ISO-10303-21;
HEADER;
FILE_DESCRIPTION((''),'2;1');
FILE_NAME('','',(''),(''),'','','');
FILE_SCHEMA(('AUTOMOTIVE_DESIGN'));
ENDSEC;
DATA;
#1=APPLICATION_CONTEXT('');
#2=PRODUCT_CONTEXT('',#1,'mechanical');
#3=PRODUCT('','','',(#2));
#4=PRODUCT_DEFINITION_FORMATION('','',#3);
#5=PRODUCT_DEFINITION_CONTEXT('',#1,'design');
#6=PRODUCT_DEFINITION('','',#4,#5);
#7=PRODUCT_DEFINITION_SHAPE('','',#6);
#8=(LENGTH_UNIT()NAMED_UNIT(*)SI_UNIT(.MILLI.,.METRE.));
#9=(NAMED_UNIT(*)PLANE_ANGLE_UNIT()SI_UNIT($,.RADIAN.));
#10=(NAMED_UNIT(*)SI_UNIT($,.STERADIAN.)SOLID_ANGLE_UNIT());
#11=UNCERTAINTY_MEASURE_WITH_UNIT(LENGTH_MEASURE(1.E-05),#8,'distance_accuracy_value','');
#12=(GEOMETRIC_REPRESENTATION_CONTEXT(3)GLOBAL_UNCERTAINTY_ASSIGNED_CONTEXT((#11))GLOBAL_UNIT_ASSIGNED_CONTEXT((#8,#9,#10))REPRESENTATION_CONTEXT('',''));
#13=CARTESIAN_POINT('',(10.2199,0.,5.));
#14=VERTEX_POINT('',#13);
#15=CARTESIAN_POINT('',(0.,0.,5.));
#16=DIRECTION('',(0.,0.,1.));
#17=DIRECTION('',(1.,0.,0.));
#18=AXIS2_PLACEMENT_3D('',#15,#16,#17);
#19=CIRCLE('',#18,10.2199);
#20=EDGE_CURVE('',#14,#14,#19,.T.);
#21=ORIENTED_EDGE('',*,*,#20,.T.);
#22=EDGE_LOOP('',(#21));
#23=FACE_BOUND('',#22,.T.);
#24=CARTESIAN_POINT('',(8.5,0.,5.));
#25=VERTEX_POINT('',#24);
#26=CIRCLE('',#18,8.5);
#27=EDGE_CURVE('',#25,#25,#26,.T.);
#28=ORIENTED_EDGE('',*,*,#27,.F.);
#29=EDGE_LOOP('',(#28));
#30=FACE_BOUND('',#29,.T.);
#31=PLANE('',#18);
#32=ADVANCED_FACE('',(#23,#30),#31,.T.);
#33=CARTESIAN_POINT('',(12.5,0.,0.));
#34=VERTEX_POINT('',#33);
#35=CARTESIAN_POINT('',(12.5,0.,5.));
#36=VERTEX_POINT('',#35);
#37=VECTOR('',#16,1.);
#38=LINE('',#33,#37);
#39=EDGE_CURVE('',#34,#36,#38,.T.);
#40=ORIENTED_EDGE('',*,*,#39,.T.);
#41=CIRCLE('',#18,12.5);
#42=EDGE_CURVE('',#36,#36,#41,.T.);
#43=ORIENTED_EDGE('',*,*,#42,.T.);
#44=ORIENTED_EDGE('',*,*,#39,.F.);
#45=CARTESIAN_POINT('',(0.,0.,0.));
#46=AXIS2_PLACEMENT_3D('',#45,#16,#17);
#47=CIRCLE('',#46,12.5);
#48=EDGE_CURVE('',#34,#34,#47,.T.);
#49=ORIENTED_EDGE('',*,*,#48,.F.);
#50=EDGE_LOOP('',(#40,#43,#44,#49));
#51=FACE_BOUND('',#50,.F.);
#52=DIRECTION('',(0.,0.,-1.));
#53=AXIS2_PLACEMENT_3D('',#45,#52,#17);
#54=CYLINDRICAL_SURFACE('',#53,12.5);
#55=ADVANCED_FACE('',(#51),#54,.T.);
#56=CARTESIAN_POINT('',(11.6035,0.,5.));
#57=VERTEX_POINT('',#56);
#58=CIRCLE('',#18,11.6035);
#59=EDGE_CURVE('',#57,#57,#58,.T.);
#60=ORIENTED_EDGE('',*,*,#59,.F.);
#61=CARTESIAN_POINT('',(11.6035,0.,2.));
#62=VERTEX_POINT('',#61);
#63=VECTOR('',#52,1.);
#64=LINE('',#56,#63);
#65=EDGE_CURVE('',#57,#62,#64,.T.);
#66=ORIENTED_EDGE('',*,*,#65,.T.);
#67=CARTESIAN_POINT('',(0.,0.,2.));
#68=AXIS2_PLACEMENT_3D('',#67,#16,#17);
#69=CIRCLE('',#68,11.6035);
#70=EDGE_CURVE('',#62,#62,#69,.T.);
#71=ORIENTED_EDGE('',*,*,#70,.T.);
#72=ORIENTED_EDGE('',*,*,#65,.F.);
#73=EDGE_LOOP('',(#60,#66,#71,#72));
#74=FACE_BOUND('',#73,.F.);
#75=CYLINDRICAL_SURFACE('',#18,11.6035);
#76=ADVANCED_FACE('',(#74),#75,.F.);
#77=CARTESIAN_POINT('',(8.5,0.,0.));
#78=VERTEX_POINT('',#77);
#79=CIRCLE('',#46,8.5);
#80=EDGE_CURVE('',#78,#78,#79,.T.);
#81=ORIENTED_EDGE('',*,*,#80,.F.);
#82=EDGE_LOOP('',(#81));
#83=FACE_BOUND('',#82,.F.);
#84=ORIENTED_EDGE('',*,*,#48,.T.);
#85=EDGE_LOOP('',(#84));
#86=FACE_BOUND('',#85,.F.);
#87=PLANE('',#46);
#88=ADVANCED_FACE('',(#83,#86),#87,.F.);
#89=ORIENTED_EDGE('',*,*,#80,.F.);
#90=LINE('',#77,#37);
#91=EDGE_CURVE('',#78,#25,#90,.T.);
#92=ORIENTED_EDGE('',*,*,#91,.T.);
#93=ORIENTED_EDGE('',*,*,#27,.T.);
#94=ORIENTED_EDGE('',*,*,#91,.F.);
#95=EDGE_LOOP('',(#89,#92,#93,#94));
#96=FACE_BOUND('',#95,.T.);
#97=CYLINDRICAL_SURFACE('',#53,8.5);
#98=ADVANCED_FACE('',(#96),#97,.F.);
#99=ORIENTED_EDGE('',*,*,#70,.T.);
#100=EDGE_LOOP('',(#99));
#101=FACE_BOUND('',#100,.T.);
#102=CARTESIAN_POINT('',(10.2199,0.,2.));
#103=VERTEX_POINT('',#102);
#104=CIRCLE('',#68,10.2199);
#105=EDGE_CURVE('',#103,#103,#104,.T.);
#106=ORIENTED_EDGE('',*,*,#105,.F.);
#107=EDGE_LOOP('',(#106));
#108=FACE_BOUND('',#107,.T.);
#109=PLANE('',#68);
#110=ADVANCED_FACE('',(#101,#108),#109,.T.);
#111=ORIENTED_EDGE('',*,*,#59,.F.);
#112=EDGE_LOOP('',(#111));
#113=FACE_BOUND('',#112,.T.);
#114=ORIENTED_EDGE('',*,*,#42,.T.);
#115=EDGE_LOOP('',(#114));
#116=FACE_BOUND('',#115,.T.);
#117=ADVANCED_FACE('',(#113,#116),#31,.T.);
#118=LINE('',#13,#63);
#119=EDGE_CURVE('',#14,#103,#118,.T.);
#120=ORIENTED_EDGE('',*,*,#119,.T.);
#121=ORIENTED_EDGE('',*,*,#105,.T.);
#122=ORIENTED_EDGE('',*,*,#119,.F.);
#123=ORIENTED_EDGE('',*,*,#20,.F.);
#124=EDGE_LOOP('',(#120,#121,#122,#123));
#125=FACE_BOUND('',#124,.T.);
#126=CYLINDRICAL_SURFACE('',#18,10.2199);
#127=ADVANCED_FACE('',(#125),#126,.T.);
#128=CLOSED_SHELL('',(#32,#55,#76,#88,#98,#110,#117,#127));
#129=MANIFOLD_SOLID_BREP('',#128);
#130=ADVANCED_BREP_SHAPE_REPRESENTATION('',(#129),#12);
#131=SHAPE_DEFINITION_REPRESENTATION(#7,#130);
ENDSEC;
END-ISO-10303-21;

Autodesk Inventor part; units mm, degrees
ref_plane "YZ Plane" through (0, 0, 0) normal (1, 0, 0) x (0, 1, 0)
ref_plane "XZ Plane" through (0, 0, 0) normal (0, 1, 0) x (-1, 0, 0)
ref_plane "XY Plane" through (0, 0, 0) normal (0, 0, 1) x (1, 0, 0)
sketch "Sketch1" plane through (0, 0, 0) normal (0, 0, 1) x (1, 0, 0)
  circle A0 centre (0, 0) radius 12.5
  circle A1 centre (0, 0) radius 8.5
  dimension "d0" = 25
  dimension "d1" = 17
extrude "Extrusion1" add sketch "Sketch1" along normal blind 5
sketch "Sketch2" plane through (0, 0, 5) normal (0, 0, 1) x (1, 0, 0)
  circle A0 centre (0, 0) radius 12.5 projected
  circle A1 centre (0, 0) radius 8.5 projected
  circle A2 centre (0, 0) radius 11.6035
  circle A3 centre (0, 0) radius 10.2199
extrude "Extrusion2" cut sketch "Sketch2" against normal blind 3 contours A2
properties part number "seal-ring-17x25x5"
